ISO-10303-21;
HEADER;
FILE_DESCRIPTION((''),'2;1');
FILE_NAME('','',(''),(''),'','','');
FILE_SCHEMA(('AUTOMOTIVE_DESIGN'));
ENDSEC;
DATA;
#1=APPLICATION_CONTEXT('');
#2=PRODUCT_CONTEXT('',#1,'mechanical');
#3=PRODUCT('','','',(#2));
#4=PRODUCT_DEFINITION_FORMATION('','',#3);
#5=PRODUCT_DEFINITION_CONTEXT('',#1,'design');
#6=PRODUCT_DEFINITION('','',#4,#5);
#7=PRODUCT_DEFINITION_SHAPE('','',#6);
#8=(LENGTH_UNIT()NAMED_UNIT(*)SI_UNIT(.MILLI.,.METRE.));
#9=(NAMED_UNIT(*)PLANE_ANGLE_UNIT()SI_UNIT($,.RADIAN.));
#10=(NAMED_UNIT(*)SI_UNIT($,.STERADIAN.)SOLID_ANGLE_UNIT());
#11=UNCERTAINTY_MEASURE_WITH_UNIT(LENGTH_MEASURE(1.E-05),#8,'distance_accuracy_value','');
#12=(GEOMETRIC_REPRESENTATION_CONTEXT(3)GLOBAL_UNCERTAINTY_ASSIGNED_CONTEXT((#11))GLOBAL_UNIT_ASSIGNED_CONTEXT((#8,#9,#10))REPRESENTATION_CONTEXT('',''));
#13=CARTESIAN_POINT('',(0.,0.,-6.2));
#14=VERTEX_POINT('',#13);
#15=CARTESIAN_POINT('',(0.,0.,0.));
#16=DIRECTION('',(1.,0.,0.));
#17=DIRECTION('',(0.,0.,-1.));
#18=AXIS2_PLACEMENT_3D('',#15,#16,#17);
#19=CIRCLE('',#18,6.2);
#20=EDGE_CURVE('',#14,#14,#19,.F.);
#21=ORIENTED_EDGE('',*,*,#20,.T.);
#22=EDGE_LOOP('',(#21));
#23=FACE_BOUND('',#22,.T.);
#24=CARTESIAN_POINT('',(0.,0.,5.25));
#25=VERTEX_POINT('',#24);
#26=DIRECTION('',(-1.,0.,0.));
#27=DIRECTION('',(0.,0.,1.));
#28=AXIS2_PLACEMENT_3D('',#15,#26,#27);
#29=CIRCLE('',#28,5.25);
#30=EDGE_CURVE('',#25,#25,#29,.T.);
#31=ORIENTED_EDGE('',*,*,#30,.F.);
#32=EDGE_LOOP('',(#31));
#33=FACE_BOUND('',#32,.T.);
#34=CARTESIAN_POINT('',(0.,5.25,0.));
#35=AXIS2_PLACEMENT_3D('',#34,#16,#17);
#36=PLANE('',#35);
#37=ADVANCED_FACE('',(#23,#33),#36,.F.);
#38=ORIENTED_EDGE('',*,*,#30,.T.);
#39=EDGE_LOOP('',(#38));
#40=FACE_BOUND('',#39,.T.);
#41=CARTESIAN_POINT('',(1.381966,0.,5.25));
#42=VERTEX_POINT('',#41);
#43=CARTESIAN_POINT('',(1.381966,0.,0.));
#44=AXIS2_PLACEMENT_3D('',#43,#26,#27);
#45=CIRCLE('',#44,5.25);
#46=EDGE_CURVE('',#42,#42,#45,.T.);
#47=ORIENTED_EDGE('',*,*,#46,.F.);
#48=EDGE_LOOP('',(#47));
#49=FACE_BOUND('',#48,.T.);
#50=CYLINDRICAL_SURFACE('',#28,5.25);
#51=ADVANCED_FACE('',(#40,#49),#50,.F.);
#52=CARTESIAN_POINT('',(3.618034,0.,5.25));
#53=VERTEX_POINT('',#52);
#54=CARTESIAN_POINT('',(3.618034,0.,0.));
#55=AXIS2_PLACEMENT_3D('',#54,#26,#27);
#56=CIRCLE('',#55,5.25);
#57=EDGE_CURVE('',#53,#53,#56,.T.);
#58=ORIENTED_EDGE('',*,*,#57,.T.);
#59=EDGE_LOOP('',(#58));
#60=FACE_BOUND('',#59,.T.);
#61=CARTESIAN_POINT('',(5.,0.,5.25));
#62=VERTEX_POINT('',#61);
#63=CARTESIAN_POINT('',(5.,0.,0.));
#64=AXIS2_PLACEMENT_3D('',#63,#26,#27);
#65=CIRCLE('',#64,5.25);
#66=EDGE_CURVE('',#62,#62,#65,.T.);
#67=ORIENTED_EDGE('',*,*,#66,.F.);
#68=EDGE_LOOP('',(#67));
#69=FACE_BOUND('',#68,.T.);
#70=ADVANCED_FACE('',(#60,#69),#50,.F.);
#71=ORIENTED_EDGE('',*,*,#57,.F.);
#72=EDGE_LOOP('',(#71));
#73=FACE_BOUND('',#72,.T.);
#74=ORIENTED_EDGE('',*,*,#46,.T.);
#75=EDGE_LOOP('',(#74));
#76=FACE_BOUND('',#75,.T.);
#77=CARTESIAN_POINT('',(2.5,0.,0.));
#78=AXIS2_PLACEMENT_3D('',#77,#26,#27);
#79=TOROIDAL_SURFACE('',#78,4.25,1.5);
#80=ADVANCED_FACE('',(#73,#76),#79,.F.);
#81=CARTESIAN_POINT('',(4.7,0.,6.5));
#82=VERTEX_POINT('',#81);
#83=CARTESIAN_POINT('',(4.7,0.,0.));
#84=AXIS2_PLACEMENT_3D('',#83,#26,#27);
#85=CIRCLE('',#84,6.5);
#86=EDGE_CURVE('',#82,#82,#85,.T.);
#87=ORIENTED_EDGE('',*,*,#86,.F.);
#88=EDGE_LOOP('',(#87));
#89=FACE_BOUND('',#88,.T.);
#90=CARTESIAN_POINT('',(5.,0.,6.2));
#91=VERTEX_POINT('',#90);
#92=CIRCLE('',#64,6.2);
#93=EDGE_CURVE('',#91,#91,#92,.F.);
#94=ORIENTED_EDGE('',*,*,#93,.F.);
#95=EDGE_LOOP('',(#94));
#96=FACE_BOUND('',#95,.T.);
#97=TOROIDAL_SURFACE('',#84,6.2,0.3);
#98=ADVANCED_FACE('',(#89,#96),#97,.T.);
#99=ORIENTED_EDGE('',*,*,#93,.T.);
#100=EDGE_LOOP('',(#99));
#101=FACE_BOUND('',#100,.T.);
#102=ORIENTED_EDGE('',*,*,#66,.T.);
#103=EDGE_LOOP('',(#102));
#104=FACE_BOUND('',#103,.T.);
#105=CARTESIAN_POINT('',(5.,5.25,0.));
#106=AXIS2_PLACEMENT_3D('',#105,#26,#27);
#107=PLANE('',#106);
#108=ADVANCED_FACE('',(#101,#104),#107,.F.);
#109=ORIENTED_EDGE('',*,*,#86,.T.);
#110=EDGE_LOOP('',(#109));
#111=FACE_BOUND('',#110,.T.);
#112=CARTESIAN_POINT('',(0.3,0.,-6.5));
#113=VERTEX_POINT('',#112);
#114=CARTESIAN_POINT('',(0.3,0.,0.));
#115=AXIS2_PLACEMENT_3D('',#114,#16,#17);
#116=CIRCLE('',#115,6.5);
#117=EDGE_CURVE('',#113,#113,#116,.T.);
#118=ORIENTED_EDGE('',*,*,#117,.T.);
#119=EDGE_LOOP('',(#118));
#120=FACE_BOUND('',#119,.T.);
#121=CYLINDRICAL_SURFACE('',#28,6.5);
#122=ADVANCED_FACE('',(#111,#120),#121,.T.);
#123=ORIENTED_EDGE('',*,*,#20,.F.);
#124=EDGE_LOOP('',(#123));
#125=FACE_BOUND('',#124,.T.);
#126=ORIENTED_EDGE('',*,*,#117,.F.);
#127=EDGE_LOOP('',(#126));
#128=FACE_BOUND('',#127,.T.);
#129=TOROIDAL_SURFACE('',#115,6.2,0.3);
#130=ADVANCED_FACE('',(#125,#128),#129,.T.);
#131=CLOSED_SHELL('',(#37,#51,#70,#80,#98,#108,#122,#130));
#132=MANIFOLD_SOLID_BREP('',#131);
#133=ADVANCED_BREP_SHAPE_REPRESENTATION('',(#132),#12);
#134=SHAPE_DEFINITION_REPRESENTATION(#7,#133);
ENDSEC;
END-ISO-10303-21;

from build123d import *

# Parameters (mm, degrees)
CONG_1_R = 0.3


with BuildPart() as part:
    # Esquisse1 → Base-Révolution (revolve)
    with BuildSketch(Plane.XY):
        with BuildLine():
            Line((0, 5.25), (1.381966011, 5.25))
            ThreePointArc((1.381966011, 5.25), (2.5, 5.75), (3.618033989, 5.25))
            Line((3.618033989, 5.25), (5, 5.25))
            Line((5, 5.25), (5, 6.5))
            Line((5, 6.5), (0, 6.5))
            Line((0, 6.5), (0, 5.25))
        make_face()
    revolve(axis=Axis((0, 0, 0), (1, 0, 0)))

    # Congé1
    cong_1_edges = [part.edges().sort_by_distance(p)[0] for p in [
        (5, -6.5, 0),
        (0, -6.5, 0),
    ]]
    fillet(cong_1_edges, radius=CONG_1_R)


solid = part.part
